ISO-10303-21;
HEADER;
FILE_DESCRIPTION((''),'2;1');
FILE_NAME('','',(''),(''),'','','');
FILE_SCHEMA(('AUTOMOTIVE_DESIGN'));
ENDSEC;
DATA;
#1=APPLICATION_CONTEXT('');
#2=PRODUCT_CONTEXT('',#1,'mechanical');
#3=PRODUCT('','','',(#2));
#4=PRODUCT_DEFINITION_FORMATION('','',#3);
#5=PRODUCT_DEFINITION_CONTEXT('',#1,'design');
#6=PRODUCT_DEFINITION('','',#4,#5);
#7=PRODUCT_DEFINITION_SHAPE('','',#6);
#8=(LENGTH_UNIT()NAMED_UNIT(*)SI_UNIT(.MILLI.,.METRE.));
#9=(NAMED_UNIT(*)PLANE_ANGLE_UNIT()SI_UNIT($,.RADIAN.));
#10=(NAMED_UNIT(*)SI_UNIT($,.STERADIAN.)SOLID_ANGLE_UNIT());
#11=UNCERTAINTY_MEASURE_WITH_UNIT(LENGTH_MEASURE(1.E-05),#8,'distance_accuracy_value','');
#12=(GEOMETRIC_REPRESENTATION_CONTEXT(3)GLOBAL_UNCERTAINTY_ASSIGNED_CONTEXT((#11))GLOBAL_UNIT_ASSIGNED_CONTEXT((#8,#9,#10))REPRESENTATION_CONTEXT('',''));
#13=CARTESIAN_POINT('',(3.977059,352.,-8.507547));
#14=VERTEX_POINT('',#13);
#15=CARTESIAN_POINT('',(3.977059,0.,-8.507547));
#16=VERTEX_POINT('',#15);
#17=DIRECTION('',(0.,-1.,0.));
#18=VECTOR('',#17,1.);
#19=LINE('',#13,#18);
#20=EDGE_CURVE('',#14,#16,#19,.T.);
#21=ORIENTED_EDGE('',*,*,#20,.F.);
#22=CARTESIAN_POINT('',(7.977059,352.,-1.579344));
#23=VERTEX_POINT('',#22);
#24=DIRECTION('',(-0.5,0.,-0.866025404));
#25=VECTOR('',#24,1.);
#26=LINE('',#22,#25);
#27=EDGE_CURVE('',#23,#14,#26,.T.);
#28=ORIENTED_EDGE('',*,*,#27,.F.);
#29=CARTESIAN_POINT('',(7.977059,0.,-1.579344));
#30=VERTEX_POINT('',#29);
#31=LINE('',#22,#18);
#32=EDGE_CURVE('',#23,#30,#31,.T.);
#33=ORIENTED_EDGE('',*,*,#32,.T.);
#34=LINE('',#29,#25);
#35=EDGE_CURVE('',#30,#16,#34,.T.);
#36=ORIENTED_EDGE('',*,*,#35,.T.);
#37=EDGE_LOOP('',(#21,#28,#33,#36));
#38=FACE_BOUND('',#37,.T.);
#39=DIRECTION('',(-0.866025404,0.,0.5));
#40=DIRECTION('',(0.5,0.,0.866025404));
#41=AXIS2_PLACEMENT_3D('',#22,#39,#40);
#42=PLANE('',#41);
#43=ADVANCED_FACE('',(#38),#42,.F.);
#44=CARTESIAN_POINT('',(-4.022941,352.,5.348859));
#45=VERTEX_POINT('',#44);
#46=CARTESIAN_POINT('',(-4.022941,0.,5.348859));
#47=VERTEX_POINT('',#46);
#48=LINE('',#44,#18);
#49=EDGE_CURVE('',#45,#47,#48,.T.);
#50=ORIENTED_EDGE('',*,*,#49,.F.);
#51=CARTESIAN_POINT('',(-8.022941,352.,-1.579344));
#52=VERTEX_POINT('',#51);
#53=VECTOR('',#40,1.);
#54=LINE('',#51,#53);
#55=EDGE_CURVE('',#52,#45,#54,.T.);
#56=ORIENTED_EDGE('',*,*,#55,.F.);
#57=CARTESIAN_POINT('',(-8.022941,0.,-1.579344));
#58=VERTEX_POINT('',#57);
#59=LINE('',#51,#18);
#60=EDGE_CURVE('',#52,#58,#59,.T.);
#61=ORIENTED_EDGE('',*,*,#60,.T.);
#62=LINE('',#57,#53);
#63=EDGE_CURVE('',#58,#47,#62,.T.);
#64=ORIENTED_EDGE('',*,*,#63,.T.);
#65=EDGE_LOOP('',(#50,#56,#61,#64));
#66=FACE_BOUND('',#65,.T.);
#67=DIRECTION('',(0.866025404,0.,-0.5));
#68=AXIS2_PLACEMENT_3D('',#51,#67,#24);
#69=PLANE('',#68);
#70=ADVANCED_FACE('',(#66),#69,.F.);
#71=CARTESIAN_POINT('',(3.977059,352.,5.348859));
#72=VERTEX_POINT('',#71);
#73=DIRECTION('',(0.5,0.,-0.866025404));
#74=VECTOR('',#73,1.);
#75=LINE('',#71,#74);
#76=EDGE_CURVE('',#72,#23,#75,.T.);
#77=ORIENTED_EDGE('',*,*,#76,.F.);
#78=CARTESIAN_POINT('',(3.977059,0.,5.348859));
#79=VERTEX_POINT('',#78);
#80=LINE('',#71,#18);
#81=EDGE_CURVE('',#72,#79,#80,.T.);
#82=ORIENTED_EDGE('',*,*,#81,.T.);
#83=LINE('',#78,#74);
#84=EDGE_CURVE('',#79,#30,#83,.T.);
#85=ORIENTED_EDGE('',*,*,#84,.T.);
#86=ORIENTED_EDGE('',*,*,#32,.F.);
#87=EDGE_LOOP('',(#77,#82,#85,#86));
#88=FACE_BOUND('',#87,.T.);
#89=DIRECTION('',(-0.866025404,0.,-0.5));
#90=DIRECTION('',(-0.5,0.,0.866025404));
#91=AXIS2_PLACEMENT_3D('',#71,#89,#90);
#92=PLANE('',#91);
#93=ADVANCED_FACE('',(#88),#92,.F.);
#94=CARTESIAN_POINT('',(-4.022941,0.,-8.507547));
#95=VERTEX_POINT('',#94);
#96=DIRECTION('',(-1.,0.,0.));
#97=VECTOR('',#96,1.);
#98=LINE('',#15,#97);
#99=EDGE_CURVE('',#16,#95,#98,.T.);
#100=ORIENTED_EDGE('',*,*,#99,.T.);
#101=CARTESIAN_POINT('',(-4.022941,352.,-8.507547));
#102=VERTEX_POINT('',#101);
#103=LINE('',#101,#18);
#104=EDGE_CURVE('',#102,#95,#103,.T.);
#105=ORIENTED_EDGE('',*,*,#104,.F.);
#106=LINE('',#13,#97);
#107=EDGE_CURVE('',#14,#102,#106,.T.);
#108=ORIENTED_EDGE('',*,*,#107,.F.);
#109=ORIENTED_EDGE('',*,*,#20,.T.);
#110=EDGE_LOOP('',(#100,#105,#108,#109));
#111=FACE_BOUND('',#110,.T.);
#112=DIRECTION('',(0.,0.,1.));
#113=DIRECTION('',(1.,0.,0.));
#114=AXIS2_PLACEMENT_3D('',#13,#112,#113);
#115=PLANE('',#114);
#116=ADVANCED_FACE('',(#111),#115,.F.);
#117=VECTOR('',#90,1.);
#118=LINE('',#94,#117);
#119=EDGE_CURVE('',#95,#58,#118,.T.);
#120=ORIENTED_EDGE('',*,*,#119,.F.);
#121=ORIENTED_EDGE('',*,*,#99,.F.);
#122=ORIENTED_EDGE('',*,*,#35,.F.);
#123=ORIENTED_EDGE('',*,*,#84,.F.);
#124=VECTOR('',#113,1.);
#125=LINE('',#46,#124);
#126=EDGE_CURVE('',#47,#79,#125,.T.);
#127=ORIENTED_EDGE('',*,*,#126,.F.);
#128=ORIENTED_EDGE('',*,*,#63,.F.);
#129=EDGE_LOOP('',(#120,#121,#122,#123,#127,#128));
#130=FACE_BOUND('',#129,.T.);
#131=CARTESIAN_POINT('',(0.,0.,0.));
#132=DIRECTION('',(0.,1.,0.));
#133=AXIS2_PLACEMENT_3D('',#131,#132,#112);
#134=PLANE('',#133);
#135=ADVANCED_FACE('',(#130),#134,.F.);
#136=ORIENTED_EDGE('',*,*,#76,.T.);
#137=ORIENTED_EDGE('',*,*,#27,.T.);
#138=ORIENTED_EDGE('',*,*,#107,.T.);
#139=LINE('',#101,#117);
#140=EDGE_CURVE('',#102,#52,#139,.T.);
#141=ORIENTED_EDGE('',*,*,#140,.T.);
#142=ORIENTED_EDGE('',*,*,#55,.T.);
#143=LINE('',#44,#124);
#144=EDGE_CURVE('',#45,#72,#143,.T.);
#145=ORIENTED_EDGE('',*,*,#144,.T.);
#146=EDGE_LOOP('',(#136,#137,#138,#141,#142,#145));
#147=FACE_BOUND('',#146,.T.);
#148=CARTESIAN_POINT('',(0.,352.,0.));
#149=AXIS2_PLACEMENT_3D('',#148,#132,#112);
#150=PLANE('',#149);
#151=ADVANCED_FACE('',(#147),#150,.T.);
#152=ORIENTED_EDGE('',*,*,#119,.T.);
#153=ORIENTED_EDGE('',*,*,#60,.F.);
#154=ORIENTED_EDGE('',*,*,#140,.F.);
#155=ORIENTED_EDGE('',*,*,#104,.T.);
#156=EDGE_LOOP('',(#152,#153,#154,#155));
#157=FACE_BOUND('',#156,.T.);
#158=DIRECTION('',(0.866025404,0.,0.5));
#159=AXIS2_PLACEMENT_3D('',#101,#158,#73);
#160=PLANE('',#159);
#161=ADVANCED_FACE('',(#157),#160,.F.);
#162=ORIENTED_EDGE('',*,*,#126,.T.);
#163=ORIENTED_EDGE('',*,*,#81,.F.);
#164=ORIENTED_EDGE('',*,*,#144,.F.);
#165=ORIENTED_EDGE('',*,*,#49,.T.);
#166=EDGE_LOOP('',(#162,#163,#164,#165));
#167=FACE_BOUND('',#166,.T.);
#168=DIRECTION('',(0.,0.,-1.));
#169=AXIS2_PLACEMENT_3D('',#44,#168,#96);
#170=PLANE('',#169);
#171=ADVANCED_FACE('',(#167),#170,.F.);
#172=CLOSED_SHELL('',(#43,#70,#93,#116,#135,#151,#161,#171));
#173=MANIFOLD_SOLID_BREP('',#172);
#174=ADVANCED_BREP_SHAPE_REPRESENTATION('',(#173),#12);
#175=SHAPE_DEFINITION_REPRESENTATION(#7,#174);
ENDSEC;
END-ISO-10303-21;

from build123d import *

# Parameters (mm, degrees)
BOSS_EXTRUDE1_DEPTH = 352


with BuildPart() as part:
    # Sketch1 → Boss-Extrude1 (new body)
    with BuildSketch(Plane(origin=(0, 0, 0), x_dir=(1, 0, 0), z_dir=(0, 1, 0))):
        Polygon((7.977059052, 1.579344013), (3.977059052, 8.507547244), (-4.022940948, 8.507547244), (-8.022940948, 1.579344013), (-4.022940948, -5.348859217), (3.977059052, -5.348859217), align=None)
    extrude(amount=BOSS_EXTRUDE1_DEPTH)


solid = part.part
